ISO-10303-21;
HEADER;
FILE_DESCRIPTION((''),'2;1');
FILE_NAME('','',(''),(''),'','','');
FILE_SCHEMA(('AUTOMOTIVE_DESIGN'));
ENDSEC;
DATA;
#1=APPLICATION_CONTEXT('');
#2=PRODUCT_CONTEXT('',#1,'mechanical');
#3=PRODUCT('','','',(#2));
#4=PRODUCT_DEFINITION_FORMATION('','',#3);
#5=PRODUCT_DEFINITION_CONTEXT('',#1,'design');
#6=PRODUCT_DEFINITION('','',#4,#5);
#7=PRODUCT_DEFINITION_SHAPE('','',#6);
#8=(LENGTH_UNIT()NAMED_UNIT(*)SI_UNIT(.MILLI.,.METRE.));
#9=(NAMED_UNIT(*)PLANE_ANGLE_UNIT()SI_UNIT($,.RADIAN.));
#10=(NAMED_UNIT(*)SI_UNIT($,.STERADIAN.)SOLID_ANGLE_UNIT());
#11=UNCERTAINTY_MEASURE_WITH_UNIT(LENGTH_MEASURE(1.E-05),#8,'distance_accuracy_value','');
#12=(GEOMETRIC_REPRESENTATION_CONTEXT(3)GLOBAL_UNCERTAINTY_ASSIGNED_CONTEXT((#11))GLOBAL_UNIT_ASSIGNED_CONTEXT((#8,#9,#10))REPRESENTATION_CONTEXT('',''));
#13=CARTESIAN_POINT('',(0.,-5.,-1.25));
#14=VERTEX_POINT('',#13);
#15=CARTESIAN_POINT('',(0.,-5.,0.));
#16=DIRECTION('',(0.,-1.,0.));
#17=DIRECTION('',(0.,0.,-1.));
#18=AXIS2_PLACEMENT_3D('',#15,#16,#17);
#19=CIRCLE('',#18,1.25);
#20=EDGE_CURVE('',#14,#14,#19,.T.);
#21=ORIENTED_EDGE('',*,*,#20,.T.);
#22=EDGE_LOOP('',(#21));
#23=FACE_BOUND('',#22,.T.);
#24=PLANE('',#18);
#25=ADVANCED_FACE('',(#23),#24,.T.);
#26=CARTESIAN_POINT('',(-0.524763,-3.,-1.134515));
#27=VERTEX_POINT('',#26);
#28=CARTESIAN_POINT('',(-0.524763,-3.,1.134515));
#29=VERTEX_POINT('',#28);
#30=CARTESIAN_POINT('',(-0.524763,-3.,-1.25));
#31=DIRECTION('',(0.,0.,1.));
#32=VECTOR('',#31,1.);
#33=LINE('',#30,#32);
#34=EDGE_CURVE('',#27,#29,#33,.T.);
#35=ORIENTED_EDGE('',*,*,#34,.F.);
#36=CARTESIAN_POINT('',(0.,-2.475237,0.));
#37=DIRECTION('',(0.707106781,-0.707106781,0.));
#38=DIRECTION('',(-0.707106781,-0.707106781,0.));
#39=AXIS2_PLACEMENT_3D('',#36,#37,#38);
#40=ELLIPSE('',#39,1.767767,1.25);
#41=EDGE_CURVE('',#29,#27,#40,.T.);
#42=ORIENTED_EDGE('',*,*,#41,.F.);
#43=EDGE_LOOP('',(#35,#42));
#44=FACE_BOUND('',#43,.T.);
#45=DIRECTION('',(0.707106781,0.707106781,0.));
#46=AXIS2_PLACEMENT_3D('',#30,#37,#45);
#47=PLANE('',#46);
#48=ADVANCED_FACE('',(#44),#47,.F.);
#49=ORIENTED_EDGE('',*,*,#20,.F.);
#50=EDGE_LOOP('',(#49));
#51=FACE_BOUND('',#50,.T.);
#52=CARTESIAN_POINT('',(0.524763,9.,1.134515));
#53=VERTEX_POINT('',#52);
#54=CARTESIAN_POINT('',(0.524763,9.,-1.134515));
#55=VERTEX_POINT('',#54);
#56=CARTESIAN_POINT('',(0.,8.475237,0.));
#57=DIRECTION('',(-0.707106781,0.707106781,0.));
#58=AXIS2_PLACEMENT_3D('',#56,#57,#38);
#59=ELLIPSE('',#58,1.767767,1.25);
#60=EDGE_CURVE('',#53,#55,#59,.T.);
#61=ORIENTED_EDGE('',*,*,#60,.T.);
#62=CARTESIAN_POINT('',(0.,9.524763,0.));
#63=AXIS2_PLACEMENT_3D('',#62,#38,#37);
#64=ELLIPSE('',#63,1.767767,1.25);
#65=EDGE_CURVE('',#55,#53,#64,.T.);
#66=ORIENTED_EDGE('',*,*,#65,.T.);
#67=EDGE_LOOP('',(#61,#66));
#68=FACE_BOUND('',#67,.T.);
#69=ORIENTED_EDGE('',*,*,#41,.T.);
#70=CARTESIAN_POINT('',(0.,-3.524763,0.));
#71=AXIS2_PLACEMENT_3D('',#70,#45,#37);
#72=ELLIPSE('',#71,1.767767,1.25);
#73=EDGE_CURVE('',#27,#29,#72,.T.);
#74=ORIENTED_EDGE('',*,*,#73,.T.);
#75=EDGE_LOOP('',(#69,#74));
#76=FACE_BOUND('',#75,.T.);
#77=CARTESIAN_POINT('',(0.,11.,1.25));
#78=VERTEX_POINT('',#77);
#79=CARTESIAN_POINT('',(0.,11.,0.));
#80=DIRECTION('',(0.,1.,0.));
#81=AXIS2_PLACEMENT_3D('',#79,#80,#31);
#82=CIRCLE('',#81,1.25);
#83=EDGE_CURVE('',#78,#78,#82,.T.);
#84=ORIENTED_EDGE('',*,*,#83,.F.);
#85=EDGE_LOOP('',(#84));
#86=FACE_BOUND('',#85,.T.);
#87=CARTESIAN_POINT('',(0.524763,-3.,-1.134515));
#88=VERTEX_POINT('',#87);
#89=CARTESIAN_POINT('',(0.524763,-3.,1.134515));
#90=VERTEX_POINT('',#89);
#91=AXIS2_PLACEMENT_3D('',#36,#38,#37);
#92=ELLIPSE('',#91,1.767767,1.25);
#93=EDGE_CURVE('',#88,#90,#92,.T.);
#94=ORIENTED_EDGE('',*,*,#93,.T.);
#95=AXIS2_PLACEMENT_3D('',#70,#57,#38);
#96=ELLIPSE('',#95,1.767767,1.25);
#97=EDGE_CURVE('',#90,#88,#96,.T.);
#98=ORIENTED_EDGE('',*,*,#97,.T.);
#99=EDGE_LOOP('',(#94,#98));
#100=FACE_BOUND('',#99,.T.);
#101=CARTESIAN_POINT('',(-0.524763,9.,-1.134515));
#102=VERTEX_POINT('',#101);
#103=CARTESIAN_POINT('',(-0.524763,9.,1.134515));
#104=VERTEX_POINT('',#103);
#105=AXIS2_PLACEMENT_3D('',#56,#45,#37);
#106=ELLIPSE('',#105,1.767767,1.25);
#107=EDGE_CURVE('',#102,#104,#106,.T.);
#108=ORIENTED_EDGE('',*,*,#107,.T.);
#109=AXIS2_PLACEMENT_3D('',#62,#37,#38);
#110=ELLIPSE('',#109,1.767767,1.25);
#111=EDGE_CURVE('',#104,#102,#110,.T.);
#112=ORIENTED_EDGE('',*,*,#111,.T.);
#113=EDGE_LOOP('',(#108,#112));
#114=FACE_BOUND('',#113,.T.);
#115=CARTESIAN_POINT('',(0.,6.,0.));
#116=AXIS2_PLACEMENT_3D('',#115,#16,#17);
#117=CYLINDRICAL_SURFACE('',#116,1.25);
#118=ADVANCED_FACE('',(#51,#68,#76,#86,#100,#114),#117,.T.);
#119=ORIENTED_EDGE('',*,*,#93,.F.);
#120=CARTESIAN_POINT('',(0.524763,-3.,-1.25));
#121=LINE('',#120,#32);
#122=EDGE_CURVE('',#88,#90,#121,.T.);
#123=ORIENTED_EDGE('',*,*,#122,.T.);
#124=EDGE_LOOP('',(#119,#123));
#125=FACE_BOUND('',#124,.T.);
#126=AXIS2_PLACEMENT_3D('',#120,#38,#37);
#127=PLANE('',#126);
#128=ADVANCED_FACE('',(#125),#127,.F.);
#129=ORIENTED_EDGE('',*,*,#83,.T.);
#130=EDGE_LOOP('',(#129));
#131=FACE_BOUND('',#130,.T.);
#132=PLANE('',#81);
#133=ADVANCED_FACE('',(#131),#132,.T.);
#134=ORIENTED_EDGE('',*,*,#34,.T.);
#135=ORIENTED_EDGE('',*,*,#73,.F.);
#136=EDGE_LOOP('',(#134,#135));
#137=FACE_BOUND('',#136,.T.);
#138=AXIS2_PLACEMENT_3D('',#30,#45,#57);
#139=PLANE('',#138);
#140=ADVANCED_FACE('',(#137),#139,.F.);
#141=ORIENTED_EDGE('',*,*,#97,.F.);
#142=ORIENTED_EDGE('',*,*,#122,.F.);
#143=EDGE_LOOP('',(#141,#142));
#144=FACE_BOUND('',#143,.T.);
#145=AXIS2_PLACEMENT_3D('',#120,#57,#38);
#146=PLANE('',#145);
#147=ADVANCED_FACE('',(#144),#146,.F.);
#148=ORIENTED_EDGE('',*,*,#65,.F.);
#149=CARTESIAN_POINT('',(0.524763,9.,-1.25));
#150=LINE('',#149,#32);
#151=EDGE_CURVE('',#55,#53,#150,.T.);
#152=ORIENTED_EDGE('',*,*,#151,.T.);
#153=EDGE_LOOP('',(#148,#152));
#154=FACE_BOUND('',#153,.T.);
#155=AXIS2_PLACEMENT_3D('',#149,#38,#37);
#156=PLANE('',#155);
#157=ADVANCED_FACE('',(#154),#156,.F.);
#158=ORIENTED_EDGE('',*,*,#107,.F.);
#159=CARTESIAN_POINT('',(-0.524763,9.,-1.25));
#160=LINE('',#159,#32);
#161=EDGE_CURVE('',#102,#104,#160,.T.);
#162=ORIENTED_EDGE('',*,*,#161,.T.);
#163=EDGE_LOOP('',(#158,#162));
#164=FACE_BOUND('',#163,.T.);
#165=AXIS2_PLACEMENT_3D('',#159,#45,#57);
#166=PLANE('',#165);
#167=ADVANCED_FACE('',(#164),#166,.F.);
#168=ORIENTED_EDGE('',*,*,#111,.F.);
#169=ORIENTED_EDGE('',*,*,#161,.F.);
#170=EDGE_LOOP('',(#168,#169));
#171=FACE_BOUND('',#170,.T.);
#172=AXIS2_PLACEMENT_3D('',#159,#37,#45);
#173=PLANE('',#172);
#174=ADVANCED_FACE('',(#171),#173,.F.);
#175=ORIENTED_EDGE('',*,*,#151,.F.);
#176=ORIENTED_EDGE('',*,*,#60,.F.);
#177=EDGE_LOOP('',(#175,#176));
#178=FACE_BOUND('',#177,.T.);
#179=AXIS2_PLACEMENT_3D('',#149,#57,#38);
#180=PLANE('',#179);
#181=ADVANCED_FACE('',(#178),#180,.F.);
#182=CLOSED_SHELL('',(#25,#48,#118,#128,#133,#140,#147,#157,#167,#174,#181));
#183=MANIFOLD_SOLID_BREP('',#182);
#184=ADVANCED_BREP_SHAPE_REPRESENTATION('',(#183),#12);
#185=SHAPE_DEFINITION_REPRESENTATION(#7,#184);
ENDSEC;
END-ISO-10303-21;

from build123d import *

# Parameters (mm, degrees)
SKETCH1_R               = 1.25
BOSS_EXTRUDE1_DEPTH     = 6
SKETCH2_R               = 1.25
BOSS_EXTRUDE2_DEPTH     = 5
SKETCH3_R               = 1.25
BOSS_EXTRUDE3_DEPTH     = 5
CUT_EXTRUDE1_DEPTH      = 2.25
CUT_EXTRUDE1_DEPTH_BACK = 2.25


with BuildPart() as part:
    # Sketch1 → Boss-Extrude1 (new body)
    with BuildSketch(Plane(origin=(0, 0, 0), x_dir=(1, 0, 0), z_dir=(0, 1, 0))):
        Circle(SKETCH1_R)
    extrude(amount=BOSS_EXTRUDE1_DEPTH)

    # Sketch2 → Boss-Extrude2 (add)
    with BuildSketch(Plane.XZ):
        Circle(SKETCH2_R)
    extrude(amount=BOSS_EXTRUDE2_DEPTH)

    # Sketch3 → Boss-Extrude3 (add)
    with BuildSketch(Plane(origin=(0, 6, 0), x_dir=(1, 0, 0), z_dir=(0, 1, 0))):
        Circle(SKETCH3_R)
    extrude(amount=BOSS_EXTRUDE3_DEPTH)

    # Sketch4 → Cut-Extrude1 (cut, two sides)
    with BuildSketch(Plane.XY) as cut_extrude1_sk:
        Polygon((0.524763121, 9), (1.25, 9.725236879), (1.25, 8.274763121), align=None)
        Polygon((-0.524763121, 9), (-1.25, 8.274763121), (-1.25, 9.725236879), align=None)
        Polygon((-0.524763121, -3), (-1.25, -3.725236879), (-1.25, -2.274763121), align=None)
        Polygon((0.524763121, -3), (1.25, -2.274763121), (1.25, -3.725236879), align=None)
    extrude(amount=CUT_EXTRUDE1_DEPTH, mode=Mode.SUBTRACT)
    extrude(cut_extrude1_sk.sketch, amount=-CUT_EXTRUDE1_DEPTH_BACK, mode=Mode.SUBTRACT)


solid = part.part
